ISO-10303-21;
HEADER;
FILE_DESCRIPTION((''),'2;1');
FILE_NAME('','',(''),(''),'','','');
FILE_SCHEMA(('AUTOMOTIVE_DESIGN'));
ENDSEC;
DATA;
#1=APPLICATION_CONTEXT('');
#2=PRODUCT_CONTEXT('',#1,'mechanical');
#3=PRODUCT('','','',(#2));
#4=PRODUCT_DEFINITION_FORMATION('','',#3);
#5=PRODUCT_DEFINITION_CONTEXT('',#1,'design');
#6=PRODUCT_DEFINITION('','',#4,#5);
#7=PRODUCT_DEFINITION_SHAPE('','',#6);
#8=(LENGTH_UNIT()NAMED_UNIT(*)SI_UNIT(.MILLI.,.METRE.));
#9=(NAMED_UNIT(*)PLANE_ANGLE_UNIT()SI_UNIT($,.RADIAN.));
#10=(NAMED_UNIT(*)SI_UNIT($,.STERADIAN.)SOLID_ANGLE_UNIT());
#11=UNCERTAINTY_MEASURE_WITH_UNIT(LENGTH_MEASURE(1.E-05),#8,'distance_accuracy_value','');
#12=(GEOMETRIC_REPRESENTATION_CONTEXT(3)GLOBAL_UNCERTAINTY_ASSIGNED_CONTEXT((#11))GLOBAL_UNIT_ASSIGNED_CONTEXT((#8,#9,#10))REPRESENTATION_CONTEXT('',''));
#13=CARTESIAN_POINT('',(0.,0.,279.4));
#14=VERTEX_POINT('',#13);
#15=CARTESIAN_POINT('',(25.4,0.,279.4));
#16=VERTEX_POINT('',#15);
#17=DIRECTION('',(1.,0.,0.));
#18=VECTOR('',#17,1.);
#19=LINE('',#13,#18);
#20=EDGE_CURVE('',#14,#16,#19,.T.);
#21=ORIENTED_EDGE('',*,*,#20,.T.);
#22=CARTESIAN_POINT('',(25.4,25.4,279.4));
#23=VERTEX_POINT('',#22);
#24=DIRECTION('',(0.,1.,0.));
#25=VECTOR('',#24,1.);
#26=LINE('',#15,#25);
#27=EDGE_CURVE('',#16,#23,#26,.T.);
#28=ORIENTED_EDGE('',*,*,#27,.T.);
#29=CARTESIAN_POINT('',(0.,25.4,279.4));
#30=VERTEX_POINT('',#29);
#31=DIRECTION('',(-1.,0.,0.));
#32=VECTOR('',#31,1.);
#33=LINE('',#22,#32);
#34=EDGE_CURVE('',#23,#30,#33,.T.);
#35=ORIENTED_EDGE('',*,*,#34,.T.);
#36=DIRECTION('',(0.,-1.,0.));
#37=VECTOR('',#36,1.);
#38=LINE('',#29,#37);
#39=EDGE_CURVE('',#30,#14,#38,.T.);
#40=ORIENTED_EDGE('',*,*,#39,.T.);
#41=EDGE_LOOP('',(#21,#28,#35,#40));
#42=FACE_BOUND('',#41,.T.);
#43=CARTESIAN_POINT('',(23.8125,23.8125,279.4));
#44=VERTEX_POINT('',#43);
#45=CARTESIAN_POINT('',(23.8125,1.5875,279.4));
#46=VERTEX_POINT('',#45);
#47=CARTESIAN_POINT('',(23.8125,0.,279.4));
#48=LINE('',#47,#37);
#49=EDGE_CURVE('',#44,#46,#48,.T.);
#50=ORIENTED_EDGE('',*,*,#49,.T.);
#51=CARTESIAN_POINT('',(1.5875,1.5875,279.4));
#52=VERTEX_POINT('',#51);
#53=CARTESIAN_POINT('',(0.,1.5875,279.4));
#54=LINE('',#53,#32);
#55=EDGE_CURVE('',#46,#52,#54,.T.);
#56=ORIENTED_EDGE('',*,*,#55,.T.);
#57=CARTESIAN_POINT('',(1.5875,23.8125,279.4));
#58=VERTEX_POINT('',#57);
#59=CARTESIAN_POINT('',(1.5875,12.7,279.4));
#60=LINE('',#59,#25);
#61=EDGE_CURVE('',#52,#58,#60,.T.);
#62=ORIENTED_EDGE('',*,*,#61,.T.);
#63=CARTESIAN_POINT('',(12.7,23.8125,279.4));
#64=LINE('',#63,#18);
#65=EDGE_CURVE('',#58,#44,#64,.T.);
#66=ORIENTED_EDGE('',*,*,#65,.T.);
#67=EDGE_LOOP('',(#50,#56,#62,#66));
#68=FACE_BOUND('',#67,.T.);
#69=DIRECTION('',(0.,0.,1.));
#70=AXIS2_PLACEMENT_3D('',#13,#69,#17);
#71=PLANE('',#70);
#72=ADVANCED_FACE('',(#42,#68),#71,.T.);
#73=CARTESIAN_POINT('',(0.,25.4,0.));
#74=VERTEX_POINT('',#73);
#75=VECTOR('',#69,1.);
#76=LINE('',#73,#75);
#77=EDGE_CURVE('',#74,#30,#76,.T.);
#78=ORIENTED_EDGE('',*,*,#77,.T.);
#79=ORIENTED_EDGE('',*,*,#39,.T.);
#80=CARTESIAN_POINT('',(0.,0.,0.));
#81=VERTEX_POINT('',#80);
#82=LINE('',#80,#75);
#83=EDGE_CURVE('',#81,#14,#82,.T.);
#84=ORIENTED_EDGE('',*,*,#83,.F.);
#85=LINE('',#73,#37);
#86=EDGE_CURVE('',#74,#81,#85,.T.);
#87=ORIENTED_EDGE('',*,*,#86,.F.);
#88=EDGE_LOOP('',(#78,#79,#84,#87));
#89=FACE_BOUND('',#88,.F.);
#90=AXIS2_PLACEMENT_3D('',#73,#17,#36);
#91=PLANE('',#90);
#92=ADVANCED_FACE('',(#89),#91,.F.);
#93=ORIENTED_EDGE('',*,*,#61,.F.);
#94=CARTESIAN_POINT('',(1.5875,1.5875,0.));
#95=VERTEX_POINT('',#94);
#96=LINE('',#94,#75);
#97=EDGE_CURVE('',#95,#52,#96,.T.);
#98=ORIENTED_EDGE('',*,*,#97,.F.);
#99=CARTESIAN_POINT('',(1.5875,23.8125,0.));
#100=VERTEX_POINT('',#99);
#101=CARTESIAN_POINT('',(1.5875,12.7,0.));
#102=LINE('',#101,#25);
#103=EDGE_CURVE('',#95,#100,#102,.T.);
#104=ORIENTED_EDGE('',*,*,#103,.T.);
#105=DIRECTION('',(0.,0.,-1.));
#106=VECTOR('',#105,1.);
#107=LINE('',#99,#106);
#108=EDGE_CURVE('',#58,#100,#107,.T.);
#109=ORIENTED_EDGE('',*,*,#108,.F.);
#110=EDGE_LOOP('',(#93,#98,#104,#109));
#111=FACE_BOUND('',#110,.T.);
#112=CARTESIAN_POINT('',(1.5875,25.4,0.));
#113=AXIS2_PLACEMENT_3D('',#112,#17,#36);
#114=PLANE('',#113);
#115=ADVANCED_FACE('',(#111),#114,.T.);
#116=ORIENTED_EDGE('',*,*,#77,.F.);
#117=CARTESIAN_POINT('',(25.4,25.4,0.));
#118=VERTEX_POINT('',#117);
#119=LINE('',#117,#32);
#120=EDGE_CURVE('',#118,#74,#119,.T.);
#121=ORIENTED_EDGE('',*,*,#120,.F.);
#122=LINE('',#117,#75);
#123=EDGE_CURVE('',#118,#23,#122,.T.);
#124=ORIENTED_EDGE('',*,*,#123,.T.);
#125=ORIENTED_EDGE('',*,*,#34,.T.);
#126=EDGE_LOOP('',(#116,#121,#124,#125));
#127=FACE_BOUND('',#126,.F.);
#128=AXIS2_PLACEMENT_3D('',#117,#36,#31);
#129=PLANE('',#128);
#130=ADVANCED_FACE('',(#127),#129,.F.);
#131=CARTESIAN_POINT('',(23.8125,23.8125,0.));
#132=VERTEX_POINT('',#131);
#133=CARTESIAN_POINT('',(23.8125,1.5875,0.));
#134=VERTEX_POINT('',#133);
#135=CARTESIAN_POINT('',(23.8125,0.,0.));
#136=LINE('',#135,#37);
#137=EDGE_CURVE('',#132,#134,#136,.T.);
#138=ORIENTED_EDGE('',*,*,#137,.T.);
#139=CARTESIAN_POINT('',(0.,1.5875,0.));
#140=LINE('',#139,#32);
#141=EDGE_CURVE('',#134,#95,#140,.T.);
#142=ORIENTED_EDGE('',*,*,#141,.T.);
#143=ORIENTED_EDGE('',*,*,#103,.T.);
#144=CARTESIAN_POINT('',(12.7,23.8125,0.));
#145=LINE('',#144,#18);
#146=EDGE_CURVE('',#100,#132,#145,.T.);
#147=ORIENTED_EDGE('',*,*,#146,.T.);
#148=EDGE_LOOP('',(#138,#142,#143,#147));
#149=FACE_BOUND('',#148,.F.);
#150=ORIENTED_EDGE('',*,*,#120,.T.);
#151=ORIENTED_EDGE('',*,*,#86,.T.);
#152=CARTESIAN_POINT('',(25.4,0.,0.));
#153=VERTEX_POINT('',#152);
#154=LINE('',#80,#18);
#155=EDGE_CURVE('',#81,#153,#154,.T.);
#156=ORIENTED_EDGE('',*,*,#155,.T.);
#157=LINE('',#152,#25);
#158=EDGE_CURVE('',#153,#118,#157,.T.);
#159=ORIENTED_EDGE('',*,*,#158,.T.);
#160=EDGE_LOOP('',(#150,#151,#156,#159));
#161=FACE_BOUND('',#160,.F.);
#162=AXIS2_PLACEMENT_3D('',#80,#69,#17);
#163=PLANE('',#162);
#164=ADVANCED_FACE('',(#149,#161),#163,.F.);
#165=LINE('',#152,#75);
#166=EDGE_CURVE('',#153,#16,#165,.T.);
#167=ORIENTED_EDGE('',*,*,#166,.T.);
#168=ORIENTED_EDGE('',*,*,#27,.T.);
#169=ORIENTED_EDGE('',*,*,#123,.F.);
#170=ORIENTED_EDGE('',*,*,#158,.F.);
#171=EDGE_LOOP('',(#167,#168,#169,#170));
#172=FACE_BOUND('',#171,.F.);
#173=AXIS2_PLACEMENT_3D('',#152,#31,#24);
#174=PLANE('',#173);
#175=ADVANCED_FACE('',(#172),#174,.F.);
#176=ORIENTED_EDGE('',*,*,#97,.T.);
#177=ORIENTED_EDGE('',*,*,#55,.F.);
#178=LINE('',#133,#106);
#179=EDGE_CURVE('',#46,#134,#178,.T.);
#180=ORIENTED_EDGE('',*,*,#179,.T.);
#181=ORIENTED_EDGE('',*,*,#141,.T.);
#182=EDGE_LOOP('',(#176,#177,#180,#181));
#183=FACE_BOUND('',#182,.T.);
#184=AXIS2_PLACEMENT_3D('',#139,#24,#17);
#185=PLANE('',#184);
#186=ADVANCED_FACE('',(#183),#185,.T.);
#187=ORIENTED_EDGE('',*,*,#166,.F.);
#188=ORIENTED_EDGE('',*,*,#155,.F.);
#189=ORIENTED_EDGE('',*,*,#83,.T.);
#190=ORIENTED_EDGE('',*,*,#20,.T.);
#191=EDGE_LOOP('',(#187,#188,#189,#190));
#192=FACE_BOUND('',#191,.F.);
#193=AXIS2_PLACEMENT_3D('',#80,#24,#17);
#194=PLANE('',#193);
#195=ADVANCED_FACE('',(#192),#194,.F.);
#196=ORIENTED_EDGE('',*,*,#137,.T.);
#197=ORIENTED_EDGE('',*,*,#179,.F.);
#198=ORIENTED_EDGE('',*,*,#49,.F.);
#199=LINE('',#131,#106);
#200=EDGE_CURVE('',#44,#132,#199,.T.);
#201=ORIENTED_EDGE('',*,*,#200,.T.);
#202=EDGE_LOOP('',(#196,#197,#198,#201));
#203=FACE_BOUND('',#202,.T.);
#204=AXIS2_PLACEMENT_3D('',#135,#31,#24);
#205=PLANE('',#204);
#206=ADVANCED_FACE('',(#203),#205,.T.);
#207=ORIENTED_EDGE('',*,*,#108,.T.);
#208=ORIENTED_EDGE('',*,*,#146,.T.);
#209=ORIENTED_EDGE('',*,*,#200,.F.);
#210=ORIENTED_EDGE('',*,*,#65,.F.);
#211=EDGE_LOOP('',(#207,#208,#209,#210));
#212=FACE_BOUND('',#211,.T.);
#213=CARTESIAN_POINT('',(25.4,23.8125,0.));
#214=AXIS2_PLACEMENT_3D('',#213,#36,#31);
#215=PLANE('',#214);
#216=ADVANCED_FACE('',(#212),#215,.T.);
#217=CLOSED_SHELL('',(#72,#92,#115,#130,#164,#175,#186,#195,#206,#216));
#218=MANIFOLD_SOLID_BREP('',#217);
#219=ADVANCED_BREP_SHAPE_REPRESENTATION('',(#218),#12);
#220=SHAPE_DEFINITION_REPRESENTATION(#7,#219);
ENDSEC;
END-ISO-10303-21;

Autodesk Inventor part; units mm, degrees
ref_plane "YZ Plane" through (0, 0, 0) normal (1, 0, 0) x (0, 1, 0)
ref_plane "XZ Plane" through (0, 0, 0) normal (0, 1, 0) x (-1, 0, 0)
ref_plane "XY Plane" through (0, 0, 0) normal (0, 0, 1) x (1, 0, 0)
sketch "Sketch1" plane through (0, 0, 0) normal (0, 0, 1) x (1, 0, 0)
  line L0 (0, 0) -> (25.4, 0)
  line L1 (25.4, 0) -> (25.4, 25.4)
  line L2 (25.4, 25.4) -> (0, 25.4)
  line L3 (0, 25.4) -> (0, 0)
  dimension "d0" = 25.4
  dimension "d1" = 25.4
extrude "Extrusion1" add sketch "Sketch1" along normal blind 279.4
shell "Shell1" thickness 1.5875 removed faces 2 at (8.4667, 16.9333, 0) at (8.4667, 16.9333, 279.4)
properties part number "Frame_MidFrontRear_Brace" material "Aluminum-6061"
